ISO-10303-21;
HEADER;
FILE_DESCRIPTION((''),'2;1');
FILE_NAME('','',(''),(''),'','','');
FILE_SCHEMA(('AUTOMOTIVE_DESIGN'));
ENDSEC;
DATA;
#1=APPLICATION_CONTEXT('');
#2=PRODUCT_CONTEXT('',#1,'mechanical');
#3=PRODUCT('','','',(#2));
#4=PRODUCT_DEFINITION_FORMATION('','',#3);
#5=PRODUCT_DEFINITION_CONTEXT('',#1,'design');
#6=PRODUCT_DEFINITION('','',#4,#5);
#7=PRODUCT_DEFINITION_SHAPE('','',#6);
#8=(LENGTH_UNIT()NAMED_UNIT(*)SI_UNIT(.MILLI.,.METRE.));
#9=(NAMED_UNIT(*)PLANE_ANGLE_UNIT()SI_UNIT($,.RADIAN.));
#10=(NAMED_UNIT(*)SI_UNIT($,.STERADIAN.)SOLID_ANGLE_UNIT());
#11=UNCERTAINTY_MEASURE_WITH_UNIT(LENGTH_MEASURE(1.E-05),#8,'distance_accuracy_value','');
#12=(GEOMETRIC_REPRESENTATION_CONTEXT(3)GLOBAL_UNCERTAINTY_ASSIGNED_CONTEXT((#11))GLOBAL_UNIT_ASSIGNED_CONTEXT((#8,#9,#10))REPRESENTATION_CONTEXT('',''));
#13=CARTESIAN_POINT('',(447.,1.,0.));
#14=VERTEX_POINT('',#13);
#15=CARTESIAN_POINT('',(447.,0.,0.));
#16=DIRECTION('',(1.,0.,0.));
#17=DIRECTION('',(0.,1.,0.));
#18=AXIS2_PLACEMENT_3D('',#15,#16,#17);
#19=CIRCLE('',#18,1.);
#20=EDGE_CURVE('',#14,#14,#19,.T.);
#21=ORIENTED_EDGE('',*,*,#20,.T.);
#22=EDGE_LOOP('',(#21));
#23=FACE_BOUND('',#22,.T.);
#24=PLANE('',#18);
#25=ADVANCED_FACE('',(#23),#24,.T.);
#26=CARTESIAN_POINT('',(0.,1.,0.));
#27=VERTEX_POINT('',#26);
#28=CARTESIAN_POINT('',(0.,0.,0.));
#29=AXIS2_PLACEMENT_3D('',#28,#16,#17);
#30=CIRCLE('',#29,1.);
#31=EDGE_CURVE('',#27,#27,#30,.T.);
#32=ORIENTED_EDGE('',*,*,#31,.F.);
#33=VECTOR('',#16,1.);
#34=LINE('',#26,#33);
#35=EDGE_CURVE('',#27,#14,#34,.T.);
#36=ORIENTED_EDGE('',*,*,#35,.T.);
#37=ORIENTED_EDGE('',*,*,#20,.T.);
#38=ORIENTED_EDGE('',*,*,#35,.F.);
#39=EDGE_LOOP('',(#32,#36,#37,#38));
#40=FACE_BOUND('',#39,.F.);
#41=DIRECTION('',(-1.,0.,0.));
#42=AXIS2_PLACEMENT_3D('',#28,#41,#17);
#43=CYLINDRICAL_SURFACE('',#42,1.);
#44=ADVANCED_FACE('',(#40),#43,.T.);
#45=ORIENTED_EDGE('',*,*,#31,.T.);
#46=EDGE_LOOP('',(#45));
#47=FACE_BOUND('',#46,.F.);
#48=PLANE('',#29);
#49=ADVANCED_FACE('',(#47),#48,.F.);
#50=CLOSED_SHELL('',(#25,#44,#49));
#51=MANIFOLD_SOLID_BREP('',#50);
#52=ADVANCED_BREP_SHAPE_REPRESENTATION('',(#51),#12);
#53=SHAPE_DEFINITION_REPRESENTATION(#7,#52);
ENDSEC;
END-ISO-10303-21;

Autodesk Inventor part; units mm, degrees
ref_plane "YZ Plane" through (0, 0, 0) normal (1, 0, 0) x (0, 1, 0)
ref_plane "XZ Plane" through (0, 0, 0) normal (0, 1, 0) x (-1, 0, 0)
ref_plane "XY Plane" through (0, 0, 0) normal (0, 0, 1) x (1, 0, 0)
sketch "Skizze1" plane through (0, 0, 0) normal (1, 0, 0) x (0, 1, 0)
  circle A0 centre (0, 0) radius 1
  dimension "d0" = 2
extrude "Extrusion1" add sketch "Skizze1" along normal blind 447
properties part number "SeilStange1m" material "Seilatrappe"
